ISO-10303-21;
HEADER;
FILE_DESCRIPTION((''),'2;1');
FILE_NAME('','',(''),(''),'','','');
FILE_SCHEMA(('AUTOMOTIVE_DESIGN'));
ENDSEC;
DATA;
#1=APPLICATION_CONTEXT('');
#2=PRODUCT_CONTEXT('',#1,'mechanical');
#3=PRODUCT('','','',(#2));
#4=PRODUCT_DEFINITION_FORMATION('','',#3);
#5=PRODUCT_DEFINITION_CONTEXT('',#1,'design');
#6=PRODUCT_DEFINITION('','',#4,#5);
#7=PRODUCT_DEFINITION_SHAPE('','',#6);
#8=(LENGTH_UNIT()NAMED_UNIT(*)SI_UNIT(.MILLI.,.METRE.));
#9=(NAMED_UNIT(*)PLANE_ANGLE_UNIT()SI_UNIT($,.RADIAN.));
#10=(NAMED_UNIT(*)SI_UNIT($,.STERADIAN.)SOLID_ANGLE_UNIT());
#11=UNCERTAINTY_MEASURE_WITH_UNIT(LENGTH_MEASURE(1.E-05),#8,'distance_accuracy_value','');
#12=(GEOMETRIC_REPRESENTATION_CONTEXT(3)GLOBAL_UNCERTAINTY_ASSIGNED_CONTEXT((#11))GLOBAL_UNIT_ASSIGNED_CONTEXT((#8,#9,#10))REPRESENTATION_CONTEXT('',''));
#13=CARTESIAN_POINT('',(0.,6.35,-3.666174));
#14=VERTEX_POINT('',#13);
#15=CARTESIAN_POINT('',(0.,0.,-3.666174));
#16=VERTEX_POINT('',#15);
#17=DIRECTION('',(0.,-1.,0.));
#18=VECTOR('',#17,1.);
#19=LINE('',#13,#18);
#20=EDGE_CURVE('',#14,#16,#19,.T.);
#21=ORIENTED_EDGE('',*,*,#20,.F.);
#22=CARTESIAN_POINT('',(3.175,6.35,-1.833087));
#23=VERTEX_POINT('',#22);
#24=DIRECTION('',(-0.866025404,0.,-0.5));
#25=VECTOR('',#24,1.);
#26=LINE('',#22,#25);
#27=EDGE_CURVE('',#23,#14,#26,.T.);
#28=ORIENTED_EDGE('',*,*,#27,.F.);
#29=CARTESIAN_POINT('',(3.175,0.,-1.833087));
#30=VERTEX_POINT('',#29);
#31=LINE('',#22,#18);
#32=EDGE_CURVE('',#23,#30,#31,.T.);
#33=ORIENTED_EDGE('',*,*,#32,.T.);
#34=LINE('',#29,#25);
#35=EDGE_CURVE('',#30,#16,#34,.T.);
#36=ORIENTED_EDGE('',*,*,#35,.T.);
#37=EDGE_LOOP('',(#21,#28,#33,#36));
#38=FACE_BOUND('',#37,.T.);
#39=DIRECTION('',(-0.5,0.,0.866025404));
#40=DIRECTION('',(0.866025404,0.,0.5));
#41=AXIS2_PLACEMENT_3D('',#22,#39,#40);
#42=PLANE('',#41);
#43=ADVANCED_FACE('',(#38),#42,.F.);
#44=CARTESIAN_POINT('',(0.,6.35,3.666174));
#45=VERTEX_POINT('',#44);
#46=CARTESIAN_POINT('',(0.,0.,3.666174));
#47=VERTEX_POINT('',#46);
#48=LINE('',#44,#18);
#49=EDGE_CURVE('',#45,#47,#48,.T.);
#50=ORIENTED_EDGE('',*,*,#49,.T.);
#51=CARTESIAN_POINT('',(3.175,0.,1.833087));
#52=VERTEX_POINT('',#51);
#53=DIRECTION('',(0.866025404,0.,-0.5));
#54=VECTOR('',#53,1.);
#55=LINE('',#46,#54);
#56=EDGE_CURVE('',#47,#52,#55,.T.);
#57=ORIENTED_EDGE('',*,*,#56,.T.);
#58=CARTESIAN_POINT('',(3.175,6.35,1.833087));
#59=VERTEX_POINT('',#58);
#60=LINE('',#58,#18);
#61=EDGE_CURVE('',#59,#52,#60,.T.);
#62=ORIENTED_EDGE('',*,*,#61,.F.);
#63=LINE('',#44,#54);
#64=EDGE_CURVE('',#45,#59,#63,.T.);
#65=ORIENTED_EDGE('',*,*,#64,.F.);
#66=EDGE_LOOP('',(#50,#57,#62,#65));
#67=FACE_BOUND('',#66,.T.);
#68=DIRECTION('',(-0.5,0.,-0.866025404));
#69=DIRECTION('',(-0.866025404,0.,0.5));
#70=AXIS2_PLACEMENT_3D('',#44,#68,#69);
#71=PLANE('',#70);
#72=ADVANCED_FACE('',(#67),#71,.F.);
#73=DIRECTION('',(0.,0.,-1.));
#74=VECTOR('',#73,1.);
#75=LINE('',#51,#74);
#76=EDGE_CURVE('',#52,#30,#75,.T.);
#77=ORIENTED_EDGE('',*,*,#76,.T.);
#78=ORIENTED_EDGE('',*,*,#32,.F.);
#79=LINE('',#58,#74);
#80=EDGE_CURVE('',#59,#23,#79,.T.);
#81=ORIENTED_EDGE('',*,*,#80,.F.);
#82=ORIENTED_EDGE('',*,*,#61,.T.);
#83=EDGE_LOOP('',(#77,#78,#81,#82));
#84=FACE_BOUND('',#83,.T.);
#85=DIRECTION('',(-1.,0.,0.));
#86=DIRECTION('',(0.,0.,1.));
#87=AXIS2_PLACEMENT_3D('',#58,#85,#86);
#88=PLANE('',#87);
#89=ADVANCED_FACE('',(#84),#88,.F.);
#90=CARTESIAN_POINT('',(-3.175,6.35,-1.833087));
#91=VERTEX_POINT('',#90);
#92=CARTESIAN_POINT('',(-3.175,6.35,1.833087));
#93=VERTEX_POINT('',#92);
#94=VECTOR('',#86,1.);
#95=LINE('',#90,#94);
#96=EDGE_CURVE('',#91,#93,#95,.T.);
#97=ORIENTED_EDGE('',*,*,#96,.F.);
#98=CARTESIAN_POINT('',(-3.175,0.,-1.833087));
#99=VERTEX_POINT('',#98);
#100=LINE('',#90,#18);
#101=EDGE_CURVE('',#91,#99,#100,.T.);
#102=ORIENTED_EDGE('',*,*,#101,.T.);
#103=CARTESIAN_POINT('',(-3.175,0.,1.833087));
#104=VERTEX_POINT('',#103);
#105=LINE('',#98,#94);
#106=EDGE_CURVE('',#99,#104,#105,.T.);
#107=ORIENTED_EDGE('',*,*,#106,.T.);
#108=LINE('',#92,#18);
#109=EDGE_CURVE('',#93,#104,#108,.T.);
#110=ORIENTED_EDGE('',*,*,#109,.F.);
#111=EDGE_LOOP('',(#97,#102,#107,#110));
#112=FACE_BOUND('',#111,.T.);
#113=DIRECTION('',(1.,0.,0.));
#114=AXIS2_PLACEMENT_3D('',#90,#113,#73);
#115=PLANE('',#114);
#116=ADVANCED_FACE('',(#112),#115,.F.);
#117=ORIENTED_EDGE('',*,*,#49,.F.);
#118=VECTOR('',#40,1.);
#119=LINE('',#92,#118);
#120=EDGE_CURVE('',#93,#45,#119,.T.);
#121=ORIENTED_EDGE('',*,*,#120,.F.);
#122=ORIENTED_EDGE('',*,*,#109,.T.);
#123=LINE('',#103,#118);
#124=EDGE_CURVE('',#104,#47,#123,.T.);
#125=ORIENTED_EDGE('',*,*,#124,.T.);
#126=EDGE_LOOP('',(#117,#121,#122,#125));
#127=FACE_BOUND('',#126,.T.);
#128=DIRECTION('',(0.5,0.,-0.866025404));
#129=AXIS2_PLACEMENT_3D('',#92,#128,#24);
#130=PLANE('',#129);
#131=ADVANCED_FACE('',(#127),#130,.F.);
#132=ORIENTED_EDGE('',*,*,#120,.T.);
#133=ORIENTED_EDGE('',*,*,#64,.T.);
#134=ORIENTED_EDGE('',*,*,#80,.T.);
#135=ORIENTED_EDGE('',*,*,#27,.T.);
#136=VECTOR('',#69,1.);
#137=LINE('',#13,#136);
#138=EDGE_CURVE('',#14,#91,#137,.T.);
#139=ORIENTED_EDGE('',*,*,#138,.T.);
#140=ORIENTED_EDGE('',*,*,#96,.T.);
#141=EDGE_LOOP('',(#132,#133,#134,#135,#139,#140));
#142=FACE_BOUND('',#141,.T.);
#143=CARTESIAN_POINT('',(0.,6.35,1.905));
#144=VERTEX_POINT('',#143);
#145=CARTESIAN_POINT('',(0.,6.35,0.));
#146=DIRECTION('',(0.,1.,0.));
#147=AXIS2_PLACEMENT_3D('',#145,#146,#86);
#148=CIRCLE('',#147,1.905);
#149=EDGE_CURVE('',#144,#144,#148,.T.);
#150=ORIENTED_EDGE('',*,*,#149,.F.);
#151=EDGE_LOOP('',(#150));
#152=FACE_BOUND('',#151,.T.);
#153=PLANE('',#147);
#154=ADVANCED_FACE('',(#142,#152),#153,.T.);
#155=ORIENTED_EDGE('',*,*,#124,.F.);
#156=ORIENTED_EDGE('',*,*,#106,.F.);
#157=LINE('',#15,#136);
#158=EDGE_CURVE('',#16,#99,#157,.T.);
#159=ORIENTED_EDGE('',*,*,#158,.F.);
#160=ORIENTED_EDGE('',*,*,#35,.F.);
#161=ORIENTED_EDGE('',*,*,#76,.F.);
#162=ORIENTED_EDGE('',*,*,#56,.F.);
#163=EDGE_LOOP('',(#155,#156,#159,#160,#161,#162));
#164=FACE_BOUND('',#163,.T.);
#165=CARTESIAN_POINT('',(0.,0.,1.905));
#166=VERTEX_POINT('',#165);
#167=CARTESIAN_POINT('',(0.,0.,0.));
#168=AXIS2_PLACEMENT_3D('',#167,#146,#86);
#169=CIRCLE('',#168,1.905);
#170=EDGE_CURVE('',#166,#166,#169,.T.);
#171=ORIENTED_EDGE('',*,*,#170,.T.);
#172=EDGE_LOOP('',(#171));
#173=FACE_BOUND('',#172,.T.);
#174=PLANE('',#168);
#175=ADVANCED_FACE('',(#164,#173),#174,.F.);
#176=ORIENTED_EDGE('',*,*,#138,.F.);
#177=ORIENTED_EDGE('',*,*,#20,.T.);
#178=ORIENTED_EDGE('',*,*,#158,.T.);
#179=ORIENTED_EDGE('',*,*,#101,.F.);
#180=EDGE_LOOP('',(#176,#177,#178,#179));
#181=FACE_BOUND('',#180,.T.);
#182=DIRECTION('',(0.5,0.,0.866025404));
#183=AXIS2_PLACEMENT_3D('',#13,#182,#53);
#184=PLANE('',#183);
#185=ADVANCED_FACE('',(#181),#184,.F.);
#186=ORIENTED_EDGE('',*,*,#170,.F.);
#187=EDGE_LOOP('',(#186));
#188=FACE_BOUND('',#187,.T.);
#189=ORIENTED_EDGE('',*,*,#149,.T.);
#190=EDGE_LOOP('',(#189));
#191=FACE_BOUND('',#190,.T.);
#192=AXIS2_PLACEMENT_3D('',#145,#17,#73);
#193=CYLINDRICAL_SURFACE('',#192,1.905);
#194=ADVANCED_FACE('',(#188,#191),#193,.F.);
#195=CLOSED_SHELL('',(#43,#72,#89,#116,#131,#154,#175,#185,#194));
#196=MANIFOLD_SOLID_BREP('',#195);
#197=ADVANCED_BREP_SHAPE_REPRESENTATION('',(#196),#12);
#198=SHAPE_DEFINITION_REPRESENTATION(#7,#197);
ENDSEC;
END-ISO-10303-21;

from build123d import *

# Parameters (mm, degrees)
SKETCH1_R           = 1.905
BOSS_EXTRUDE1_DEPTH = 6.35


with BuildPart() as part:
    # Sketch1 → Boss-Extrude1 (new body)
    with BuildSketch(Plane(origin=(0, 0, 0), x_dir=(1, 0, 0), z_dir=(0, 1, 0))):
        Polygon((0, -3.666174209), (3.175, -1.833087105), (3.175, 1.833087105), (0, 3.666174209), (-3.175, 1.833087105), (-3.175, -1.833087105), align=None)
        Circle(SKETCH1_R, mode=Mode.SUBTRACT)
    extrude(amount=BOSS_EXTRUDE1_DEPTH)


solid = part.part
